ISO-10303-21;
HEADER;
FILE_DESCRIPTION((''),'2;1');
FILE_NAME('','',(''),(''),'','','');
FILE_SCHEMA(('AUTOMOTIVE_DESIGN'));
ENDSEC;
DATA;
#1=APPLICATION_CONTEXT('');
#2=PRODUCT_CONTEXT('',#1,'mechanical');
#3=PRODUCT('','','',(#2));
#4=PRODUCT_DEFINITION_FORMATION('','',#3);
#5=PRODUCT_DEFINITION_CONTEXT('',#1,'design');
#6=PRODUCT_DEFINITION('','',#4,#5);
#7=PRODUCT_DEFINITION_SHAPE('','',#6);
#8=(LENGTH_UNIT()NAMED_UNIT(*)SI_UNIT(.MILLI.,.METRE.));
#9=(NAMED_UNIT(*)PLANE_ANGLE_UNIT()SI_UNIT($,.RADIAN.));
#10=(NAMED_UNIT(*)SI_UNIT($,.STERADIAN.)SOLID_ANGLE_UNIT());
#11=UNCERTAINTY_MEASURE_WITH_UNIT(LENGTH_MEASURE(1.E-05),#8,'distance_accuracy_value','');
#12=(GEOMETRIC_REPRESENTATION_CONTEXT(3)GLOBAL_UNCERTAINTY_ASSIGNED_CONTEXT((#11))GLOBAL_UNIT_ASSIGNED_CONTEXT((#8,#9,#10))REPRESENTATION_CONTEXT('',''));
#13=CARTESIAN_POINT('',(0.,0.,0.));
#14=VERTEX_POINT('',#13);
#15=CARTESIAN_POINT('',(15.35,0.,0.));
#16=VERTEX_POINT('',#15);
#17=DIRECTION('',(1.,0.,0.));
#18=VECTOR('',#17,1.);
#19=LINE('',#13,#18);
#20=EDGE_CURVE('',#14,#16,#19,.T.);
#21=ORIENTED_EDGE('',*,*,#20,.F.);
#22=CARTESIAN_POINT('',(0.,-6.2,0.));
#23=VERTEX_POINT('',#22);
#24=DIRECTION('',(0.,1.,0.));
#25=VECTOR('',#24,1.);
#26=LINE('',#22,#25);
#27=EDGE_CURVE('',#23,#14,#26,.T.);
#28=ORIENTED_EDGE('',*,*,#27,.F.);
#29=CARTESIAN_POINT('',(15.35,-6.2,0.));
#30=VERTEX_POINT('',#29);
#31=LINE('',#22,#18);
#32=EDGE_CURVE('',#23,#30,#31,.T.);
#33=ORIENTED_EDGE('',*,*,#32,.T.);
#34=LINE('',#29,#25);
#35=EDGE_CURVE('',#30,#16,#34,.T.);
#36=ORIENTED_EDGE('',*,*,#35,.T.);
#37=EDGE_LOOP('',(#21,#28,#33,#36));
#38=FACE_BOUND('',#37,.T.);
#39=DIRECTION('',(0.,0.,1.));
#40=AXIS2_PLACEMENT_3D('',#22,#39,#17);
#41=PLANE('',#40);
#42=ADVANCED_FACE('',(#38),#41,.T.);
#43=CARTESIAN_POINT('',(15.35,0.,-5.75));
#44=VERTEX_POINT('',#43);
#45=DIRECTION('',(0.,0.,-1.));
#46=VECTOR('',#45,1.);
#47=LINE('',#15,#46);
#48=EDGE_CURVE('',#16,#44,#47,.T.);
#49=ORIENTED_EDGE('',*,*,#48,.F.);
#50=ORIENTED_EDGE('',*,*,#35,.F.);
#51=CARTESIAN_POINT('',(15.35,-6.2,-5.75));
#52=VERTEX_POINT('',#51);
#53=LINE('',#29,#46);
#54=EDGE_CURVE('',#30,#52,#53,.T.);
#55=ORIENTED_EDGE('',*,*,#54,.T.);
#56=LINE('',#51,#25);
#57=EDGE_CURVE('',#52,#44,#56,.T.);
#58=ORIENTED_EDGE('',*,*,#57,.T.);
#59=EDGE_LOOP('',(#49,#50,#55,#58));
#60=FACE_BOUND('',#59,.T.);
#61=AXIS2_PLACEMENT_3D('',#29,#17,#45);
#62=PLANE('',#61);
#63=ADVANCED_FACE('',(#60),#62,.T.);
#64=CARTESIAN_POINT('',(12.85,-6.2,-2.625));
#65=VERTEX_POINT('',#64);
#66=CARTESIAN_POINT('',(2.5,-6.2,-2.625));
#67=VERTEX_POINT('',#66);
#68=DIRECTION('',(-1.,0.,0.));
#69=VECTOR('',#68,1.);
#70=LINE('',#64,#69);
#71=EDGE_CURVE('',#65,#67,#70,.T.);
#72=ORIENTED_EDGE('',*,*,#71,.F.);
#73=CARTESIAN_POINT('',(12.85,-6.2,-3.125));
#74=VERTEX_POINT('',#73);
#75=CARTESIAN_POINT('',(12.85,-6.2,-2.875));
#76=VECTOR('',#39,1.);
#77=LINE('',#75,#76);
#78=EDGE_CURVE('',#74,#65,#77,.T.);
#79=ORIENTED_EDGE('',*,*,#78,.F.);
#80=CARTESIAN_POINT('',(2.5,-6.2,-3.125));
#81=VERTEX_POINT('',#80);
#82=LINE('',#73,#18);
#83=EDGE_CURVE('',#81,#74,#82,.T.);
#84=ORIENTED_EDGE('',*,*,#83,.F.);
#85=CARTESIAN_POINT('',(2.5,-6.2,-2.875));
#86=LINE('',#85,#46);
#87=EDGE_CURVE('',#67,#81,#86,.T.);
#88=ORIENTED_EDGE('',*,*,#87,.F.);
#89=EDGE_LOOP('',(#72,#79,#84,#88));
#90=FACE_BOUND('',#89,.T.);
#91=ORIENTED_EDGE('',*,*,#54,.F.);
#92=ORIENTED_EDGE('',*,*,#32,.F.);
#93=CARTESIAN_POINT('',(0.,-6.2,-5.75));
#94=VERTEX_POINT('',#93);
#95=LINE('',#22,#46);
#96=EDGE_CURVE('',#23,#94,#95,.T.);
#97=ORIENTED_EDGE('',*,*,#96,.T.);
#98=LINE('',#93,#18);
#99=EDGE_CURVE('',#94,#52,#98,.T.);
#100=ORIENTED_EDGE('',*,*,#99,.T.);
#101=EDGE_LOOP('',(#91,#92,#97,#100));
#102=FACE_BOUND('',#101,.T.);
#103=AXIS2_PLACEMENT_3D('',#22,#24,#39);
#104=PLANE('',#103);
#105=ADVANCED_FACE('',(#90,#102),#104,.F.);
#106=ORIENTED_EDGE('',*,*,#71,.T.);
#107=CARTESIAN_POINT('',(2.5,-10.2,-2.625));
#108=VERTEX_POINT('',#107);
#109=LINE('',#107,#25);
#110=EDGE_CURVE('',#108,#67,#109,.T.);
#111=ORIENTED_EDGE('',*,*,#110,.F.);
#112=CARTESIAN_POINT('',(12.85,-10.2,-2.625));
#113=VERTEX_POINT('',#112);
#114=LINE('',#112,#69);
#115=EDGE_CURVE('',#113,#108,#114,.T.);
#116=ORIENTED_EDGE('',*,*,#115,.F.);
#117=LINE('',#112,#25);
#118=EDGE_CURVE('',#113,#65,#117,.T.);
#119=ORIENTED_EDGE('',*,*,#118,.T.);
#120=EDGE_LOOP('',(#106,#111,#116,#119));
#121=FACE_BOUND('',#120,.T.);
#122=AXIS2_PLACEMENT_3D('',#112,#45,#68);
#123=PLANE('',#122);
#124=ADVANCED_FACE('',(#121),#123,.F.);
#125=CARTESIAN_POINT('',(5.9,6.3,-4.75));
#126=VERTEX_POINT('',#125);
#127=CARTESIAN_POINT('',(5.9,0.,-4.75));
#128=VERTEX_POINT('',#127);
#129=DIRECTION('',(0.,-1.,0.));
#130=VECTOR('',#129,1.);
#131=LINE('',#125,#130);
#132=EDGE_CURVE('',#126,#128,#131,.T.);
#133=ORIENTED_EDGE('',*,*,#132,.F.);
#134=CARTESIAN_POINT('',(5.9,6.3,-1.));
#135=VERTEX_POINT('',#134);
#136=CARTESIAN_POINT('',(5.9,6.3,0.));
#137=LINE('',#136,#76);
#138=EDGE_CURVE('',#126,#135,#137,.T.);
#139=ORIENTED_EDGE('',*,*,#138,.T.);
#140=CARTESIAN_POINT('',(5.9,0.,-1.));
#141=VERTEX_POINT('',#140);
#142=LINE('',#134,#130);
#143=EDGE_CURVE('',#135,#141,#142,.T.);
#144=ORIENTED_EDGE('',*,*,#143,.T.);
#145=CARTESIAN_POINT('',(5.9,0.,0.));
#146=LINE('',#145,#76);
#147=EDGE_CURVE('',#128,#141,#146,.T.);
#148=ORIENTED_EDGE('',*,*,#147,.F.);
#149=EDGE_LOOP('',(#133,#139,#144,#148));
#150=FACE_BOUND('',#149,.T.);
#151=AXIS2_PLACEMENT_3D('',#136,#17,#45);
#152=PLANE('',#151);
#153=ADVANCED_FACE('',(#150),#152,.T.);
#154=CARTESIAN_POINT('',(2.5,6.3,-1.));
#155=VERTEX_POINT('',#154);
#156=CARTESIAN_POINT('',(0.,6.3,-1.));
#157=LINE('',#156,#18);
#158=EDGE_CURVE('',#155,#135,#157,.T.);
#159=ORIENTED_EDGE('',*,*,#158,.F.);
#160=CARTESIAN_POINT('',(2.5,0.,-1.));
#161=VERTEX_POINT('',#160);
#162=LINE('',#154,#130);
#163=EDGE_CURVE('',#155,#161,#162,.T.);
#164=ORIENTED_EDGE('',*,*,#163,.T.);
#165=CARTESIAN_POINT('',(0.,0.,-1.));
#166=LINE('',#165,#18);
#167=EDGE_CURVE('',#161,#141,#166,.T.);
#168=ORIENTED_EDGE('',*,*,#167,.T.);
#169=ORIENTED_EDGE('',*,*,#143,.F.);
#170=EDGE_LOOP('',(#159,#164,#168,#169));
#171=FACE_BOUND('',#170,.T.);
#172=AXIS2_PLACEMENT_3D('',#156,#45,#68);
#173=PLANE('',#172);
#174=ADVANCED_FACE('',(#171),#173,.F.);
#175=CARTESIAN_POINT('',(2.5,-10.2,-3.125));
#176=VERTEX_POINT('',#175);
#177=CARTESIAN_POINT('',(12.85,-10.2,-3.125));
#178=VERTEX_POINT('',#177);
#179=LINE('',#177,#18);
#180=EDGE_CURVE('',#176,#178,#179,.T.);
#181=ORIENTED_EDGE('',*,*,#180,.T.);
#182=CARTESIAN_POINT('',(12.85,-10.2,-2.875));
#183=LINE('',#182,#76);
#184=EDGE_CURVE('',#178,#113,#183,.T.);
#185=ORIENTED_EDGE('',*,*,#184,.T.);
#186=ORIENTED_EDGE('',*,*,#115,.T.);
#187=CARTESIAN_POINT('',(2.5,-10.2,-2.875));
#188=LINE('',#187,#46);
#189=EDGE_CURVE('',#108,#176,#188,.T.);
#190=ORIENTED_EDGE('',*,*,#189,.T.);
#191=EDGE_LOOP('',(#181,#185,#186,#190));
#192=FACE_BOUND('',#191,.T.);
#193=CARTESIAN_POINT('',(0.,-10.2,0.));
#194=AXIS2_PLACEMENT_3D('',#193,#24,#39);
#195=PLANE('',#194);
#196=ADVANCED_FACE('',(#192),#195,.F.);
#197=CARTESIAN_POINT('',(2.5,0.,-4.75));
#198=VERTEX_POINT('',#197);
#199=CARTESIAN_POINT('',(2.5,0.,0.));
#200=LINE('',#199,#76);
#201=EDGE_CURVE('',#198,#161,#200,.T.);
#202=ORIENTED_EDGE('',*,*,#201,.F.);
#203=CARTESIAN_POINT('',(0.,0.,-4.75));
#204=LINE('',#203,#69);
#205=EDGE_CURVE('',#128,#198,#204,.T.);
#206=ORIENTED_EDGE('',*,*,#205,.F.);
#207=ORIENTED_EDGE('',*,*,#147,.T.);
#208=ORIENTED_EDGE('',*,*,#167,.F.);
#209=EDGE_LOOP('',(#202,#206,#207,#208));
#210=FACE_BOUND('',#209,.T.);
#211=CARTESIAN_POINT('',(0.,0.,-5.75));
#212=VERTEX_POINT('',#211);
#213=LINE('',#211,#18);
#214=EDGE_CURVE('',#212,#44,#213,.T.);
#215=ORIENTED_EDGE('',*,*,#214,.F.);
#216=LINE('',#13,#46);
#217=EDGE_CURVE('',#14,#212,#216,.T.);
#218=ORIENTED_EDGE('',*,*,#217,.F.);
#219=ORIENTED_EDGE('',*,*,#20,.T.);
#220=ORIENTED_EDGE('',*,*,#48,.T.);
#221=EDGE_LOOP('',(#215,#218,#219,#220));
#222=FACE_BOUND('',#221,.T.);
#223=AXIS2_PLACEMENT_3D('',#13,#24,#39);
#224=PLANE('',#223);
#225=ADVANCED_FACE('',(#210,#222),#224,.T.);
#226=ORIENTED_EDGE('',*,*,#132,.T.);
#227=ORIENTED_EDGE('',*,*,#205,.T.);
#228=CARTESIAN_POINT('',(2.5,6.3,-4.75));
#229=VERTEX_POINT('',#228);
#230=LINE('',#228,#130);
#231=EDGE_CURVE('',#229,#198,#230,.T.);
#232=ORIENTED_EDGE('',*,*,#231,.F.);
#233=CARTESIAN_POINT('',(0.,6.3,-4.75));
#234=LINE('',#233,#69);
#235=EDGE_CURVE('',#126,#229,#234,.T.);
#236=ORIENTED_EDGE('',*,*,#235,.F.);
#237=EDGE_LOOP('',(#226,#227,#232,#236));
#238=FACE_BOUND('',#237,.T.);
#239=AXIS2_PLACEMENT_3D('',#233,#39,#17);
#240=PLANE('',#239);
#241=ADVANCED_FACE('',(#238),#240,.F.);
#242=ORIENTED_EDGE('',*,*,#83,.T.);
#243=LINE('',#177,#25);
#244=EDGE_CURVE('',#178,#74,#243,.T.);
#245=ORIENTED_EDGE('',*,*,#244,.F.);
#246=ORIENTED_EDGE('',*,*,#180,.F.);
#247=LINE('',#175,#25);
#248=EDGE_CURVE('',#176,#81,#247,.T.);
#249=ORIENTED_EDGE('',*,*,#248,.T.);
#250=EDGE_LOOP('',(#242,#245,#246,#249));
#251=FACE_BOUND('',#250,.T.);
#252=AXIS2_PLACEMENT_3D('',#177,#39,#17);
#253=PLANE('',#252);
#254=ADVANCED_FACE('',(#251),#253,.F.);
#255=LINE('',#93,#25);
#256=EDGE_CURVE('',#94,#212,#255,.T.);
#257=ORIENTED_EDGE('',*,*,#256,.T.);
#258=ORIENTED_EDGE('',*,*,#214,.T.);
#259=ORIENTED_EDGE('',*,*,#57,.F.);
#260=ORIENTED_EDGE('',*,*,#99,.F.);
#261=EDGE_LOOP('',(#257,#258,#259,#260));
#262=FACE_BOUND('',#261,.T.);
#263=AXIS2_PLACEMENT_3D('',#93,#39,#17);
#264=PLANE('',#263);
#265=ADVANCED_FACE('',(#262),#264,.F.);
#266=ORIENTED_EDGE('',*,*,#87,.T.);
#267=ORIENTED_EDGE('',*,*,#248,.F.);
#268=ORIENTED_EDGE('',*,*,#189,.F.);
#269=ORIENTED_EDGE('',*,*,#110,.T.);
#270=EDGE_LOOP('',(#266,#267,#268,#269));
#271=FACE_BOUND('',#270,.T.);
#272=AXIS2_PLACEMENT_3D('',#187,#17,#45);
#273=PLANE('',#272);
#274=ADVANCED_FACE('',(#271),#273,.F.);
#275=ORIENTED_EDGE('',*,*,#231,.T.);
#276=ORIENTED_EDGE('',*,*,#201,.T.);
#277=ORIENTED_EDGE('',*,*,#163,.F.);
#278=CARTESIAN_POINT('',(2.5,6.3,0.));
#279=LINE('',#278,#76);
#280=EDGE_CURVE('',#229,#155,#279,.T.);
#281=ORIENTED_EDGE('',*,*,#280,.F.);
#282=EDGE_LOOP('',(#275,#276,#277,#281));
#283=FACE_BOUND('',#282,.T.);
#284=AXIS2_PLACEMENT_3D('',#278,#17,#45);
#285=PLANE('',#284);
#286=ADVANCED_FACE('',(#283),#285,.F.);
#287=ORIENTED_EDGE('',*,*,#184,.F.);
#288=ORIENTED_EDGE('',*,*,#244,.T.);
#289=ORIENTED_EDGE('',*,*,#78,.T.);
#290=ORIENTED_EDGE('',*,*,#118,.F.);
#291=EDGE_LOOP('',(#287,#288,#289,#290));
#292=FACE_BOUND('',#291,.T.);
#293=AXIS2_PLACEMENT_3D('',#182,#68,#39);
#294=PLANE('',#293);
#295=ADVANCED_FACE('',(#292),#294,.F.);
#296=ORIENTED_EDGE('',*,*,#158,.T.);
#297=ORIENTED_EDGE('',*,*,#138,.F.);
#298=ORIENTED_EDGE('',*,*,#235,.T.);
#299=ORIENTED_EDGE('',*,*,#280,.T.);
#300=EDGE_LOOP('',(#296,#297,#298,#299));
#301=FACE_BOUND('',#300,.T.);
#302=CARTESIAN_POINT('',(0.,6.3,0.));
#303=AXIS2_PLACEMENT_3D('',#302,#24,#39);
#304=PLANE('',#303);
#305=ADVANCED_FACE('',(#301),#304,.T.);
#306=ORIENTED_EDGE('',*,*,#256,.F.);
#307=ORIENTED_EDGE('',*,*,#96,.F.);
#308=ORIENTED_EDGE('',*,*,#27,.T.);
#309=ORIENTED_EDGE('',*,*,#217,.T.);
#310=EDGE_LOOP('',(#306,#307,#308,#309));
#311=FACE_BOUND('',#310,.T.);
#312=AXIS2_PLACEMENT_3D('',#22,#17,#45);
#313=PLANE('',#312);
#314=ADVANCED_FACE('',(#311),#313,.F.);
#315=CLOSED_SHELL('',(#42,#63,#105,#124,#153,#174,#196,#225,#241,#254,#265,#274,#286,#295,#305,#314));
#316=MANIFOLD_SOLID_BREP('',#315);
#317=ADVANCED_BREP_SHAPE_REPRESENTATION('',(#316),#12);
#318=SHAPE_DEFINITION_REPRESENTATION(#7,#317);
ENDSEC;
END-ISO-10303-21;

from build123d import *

# Parameters (mm, degrees)
ESBO_O2_W                = 15.35
ESBO_O2_H                = 5.75
RESSALTO_EXTRUS_O1_DEPTH = 6.2
ESBO_O2_3_W              = 3.4
ESBO_O2_3_H              = 3.75
RESSALTO_EXTRUS_O2_DEPTH = 6.3
RESSALTO_EXTRUS_O3_DEPTH = 4


with BuildPart() as part:
    # Esboço2 → Ressalto-extrusão1 (new body)
    with BuildSketch(Plane(origin=(0, 0, 0), x_dir=(1, 0, 0), z_dir=(0, 1, 0))):
        with Locations((7.675, 2.875)):
            Rectangle(ESBO_O2_W, ESBO_O2_H)
    extrude(amount=-RESSALTO_EXTRUS_O1_DEPTH)

    # Esboço2<3> → Ressalto-extrusão2 (add)
    with BuildSketch(Plane(origin=(0, 0, 0), x_dir=(1, 0, 0), z_dir=(0, 1, 0))):
        with Locations((4.2, 2.875)):
            Rectangle(ESBO_O2_3_W, ESBO_O2_3_H)
    extrude(amount=RESSALTO_EXTRUS_O2_DEPTH)

    # Esboço3 → Ressalto-extrusão3 (add)
    with BuildSketch(Plane.XZ.offset(6.2)):
        Polygon((2.5, -2.875), (2.5, -2.625), (12.85, -2.625), (12.85, -2.875), (12.85, -3.125), (2.5, -3.125), align=None)
    extrude(amount=RESSALTO_EXTRUS_O3_DEPTH)


solid = part.part
